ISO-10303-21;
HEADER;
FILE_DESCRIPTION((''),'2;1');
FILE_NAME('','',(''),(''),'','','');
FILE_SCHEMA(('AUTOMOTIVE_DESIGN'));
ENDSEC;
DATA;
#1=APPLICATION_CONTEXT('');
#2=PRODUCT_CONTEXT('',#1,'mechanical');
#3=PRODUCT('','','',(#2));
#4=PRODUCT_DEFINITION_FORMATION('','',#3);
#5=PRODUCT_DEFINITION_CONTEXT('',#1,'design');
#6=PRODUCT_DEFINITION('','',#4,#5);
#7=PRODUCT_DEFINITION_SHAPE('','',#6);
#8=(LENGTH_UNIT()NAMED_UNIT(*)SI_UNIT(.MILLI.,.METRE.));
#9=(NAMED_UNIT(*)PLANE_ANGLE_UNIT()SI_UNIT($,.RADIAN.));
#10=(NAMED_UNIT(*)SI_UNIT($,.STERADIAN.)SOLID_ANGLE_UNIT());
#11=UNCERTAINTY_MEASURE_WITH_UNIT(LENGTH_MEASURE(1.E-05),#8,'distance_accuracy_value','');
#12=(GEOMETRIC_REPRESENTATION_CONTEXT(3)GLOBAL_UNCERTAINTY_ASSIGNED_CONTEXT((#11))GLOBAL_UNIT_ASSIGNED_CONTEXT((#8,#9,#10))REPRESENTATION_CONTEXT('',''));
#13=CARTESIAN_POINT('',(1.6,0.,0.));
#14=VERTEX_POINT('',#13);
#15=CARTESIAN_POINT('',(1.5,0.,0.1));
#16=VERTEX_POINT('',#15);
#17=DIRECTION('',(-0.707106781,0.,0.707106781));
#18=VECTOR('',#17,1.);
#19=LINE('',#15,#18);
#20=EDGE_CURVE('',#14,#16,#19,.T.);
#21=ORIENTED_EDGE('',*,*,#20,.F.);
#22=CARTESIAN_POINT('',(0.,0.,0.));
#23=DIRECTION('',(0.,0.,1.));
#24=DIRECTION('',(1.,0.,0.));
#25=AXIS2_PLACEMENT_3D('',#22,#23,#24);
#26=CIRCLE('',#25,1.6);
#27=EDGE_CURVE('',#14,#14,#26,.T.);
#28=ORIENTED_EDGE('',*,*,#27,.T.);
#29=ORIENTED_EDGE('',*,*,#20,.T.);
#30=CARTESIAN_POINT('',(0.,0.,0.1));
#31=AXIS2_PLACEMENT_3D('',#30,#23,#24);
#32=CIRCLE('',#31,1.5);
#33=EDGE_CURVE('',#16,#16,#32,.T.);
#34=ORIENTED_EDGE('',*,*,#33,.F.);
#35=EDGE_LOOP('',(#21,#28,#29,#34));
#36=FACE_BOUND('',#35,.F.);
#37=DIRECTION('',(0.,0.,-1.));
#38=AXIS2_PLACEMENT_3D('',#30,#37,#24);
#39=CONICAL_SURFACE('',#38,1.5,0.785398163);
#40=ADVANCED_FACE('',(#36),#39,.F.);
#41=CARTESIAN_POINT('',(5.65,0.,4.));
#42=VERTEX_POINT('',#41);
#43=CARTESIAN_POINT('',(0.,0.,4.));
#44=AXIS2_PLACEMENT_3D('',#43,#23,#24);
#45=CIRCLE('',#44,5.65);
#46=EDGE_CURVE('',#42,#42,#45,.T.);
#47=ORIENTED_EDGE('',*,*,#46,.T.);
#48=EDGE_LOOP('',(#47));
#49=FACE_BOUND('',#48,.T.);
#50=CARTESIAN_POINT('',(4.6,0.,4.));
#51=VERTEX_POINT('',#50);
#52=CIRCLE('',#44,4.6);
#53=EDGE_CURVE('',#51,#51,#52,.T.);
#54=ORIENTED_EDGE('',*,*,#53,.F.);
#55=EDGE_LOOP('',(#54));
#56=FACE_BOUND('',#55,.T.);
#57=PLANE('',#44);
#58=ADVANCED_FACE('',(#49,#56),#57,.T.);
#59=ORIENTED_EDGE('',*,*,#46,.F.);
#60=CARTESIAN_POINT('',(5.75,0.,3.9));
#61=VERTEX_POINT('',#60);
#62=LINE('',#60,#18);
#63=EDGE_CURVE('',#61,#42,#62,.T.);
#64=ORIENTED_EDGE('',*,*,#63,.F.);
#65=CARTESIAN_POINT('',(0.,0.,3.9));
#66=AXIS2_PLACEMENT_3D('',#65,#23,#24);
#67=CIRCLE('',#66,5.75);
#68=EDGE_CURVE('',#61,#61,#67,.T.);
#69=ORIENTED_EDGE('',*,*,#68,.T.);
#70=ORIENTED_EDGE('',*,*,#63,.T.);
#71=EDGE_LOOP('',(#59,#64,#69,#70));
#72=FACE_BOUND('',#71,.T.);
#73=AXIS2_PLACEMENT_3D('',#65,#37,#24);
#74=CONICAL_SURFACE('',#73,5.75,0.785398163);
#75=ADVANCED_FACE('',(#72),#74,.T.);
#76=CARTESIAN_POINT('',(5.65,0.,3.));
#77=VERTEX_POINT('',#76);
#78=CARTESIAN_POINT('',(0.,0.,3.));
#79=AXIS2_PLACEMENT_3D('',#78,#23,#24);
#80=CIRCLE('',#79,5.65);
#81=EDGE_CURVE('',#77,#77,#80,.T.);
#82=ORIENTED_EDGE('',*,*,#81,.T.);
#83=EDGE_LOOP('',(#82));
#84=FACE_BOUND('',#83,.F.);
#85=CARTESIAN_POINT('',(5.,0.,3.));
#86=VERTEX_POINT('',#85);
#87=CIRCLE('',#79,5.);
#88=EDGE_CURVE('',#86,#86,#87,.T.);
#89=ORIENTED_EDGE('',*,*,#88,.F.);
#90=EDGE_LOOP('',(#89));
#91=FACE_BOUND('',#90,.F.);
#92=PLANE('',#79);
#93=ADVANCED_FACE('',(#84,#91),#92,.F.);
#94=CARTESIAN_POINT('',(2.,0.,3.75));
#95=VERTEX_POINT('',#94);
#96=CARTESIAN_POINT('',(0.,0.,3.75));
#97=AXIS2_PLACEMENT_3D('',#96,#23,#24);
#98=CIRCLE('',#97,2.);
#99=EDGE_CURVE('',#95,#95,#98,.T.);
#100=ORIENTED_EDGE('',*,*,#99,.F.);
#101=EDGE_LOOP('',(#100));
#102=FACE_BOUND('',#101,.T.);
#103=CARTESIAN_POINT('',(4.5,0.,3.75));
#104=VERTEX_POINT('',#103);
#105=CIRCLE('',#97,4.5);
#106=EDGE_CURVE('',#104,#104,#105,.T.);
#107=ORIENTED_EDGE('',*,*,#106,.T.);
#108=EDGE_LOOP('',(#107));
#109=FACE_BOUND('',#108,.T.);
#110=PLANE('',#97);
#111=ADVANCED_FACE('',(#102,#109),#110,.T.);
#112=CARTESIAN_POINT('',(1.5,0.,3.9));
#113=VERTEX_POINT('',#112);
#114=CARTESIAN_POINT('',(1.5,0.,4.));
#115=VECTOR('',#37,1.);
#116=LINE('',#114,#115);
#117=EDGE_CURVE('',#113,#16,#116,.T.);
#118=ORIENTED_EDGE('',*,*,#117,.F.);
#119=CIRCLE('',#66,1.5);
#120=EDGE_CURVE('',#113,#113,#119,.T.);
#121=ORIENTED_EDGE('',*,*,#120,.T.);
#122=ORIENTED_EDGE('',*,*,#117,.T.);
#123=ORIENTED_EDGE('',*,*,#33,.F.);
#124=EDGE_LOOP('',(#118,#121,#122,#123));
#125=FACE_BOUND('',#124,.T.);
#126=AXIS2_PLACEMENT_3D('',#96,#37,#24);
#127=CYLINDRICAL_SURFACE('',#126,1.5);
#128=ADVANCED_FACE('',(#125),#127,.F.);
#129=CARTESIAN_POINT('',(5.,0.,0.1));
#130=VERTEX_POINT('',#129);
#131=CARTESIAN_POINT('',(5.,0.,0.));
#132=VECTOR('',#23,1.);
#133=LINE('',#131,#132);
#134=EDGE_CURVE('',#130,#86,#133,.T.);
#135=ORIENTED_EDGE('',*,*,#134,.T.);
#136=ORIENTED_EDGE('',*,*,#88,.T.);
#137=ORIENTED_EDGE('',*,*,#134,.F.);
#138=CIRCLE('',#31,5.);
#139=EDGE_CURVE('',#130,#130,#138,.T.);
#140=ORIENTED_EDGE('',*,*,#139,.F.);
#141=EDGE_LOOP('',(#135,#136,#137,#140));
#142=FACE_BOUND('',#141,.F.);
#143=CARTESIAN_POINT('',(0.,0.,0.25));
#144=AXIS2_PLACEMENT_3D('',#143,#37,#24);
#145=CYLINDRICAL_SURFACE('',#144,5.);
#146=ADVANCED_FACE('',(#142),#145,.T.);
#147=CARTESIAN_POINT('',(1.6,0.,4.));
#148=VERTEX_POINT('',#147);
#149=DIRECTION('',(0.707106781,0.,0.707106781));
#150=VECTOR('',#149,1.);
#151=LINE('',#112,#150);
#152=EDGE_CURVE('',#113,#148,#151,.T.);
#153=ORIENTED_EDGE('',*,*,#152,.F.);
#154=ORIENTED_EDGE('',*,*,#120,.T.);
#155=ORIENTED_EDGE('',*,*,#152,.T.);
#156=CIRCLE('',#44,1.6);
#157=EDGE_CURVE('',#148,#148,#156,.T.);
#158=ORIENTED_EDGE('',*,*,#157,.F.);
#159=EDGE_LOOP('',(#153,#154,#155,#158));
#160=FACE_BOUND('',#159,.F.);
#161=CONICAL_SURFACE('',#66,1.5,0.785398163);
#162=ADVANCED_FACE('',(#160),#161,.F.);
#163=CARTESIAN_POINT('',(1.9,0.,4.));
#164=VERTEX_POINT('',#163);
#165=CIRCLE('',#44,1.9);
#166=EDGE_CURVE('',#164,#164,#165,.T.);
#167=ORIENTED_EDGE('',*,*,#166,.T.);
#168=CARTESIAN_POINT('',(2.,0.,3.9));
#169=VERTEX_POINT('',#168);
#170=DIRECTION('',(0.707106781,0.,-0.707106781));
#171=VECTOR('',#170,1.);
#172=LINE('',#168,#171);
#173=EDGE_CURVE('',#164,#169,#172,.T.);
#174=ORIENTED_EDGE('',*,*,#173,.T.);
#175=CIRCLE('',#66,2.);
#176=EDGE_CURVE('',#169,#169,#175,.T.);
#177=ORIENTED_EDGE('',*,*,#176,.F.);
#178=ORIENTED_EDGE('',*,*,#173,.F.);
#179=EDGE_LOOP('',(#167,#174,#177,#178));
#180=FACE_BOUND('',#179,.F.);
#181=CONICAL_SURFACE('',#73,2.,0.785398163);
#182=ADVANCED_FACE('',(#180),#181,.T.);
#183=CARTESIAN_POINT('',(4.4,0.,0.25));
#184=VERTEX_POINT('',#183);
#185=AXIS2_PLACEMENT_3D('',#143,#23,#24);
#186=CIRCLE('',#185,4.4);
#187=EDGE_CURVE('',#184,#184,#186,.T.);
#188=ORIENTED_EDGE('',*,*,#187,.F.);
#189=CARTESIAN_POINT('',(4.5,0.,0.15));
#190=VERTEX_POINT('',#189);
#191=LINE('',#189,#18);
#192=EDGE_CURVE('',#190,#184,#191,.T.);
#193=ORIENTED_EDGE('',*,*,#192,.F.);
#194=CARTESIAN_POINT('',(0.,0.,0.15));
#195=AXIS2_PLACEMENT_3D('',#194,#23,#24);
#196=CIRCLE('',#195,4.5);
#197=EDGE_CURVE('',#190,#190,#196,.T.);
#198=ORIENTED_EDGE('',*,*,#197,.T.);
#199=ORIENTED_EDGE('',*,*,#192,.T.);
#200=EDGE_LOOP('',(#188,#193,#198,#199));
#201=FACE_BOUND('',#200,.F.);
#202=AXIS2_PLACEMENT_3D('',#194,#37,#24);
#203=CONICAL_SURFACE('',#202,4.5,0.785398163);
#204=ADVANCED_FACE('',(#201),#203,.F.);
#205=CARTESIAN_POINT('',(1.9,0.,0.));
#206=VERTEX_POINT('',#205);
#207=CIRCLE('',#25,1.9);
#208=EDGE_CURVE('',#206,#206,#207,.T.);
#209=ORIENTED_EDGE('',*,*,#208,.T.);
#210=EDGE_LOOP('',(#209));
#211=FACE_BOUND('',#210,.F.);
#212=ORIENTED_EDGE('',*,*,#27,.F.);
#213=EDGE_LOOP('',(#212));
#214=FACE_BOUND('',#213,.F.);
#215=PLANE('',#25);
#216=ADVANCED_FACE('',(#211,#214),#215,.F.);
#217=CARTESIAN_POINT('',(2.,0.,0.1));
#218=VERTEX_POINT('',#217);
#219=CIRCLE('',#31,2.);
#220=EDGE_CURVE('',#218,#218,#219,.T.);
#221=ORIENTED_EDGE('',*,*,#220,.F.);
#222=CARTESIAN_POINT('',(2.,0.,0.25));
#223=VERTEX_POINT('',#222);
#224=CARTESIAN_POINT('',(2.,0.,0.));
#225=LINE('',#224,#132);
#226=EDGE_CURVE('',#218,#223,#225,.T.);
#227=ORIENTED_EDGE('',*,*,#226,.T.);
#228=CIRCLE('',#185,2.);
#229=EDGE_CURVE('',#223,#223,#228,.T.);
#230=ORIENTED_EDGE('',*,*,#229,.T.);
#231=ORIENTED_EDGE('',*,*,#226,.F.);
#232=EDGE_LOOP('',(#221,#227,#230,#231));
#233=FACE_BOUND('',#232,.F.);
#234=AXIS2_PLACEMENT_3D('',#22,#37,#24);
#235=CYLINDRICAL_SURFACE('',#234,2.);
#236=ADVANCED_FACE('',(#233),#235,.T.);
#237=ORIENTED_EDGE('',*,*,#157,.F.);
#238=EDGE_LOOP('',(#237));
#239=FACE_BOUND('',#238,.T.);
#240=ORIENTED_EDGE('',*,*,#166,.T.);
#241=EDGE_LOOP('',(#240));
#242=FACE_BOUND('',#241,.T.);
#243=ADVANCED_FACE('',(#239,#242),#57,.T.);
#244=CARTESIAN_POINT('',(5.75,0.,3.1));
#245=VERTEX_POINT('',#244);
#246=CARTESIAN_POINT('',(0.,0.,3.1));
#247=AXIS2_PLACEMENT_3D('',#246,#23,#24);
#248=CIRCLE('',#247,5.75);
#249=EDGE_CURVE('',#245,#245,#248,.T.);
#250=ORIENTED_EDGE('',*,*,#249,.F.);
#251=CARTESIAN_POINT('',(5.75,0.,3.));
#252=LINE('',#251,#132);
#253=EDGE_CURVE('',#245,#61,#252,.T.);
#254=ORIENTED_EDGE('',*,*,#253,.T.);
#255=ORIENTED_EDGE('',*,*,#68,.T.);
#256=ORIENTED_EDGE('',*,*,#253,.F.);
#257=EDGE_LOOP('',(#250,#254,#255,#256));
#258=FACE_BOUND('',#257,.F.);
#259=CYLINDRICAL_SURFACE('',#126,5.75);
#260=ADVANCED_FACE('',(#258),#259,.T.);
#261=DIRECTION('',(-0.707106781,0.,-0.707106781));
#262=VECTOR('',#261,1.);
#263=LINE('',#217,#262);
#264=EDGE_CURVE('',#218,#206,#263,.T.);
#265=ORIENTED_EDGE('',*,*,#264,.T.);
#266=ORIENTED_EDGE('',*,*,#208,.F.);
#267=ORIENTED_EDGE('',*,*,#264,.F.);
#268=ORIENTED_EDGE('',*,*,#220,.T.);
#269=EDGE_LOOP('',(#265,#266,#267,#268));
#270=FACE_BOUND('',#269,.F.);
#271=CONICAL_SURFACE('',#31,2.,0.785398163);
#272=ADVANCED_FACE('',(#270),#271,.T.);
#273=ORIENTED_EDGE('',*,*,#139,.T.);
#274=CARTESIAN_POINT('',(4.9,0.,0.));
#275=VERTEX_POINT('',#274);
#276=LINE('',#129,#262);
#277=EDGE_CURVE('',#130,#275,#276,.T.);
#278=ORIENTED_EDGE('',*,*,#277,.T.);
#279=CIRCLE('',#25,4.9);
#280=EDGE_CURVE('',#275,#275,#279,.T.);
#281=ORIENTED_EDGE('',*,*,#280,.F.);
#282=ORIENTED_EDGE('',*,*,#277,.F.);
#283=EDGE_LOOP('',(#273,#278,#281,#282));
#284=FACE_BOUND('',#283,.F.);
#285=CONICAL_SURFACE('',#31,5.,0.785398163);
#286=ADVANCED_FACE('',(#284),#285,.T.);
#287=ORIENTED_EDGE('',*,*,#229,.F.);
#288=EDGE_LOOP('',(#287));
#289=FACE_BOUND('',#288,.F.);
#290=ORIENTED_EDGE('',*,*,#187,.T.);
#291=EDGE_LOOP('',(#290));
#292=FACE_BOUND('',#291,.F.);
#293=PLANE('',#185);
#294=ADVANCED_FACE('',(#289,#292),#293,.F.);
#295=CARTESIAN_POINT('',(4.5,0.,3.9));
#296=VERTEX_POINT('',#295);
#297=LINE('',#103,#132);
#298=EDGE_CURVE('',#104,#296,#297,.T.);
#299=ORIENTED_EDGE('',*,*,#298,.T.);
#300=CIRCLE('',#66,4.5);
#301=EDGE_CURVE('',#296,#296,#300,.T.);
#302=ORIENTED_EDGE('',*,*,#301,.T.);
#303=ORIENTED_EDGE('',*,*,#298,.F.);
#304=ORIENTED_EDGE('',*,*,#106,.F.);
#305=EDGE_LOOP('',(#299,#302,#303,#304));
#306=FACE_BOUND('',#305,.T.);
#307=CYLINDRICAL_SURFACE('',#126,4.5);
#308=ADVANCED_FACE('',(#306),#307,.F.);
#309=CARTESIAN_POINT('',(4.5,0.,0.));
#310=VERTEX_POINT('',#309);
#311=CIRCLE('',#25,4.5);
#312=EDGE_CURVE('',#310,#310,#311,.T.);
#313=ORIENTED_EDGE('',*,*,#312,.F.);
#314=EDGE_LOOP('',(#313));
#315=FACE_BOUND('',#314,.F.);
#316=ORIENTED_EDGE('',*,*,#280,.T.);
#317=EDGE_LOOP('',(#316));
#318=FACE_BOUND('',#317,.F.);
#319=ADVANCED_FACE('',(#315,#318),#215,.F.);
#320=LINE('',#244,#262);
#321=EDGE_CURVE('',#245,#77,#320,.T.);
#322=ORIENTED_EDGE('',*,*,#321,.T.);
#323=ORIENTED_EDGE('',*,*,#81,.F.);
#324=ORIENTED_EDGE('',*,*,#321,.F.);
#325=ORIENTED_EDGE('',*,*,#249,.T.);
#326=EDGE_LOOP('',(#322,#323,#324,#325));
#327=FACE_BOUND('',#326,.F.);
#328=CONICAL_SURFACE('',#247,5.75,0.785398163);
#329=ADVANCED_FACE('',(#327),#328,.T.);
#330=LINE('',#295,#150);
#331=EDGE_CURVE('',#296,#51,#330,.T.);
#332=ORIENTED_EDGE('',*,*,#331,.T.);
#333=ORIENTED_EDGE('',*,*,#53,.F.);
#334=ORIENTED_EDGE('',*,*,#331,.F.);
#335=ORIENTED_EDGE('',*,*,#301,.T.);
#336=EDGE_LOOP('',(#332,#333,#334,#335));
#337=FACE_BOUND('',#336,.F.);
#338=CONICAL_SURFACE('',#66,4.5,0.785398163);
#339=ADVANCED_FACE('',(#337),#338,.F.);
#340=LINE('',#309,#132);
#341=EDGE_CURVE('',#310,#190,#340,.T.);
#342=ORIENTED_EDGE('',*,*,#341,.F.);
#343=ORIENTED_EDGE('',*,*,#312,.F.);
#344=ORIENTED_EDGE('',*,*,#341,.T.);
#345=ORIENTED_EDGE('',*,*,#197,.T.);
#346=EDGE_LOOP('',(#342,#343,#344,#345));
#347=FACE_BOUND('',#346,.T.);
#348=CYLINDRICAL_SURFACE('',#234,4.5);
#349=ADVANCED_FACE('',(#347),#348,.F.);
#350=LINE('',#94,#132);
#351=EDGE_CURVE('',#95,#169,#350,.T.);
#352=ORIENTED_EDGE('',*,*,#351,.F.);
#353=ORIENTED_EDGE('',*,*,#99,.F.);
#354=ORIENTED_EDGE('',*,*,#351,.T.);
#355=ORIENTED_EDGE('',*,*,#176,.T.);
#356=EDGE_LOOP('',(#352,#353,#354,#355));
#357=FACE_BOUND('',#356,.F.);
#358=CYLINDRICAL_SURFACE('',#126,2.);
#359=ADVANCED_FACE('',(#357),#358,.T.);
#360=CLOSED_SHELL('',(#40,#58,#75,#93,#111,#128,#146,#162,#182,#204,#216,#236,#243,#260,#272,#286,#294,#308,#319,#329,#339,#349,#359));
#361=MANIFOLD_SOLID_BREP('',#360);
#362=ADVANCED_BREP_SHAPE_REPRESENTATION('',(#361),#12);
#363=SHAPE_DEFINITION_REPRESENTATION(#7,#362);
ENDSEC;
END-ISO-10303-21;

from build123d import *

# Parameters (mm, degrees)
F0_R     = 2
F0_R_2   = 1.5
F1_DEPTH = 0.25
F0_R_3   = 5
F0_R_4   = 4.5
F2_R     = 5
F2_R_2   = 4.5
F2_R_3   = 2
F2_R_4   = 1.5
F3_DEPTH = 2.75
F4_R     = 5.75
F4_R_2   = 5
F4_R_3   = 1.5
F5_DEPTH = 0.75
F6_R     = 5.75
F6_R_2   = 4.5
F6_R_3   = 2
F6_R_4   = 1.5
F7_DEPTH = 0.25
F8_SIZE  = 0.1


with BuildPart() as f1:
    # F0 (on Top) → F1 (new body)
    with BuildSketch(Plane.XY):
        Circle(F0_R)
        Circle(F0_R_2, mode=Mode.SUBTRACT)
    extrude(amount=F1_DEPTH)



with BuildPart() as f1b:
    # F0 (on Top) → F1, piece 2 (new body)
    with BuildSketch(Plane.XY):
        Circle(F0_R_3)
        Circle(F0_R_4, mode=Mode.SUBTRACT)
    extrude(amount=F1_DEPTH)


with BuildPart() as f1_1:
    add(f1.part)

    add(f1b.part)  # F3 merges F1b
    # F2 (on face) → F3 (join)
    with BuildSketch(Plane.XY.offset(0.25)):
        Circle(F2_R)
        Circle(F2_R_2, mode=Mode.SUBTRACT)
        Circle(F2_R_2)
        Circle(F2_R_3, mode=Mode.SUBTRACT)
        Circle(F2_R_3)
        Circle(F2_R_4, mode=Mode.SUBTRACT)
    extrude(amount=F3_DEPTH)

    # F4 (on face) → F5 (join)
    with BuildSketch(Plane.XY.offset(3)):
        Circle(F4_R)
        Circle(F4_R_2, mode=Mode.SUBTRACT)
        Circle(F4_R_2)
        Circle(F4_R_3, mode=Mode.SUBTRACT)
    extrude(amount=F5_DEPTH)

    # F6 (on face) → F7 (join)
    with BuildSketch(Plane.XY.offset(3.75)):
        Circle(F6_R)
        Circle(F6_R_2, mode=Mode.SUBTRACT)
        Circle(F6_R_3)
        Circle(F6_R_4, mode=Mode.SUBTRACT)
    extrude(amount=F7_DEPTH)

    # F8
    f8_edges = [f1_1.edges().sort_by_distance(p)[0] for p in [
        (-5, 0, 0),
        (-5.75, 0, 3),
        (-5.75, 0, 4),
        (-4.5, 0, 4),
        (-4.5, 0, 0.25),
        (-2, 0, 0),
        (-1.5, 0, 0),
        (-2, 0, 4),
        (-1.5, 0, 4),
    ]]
    chamfer(f8_edges, length=F8_SIZE)


solid = f1_1.part
